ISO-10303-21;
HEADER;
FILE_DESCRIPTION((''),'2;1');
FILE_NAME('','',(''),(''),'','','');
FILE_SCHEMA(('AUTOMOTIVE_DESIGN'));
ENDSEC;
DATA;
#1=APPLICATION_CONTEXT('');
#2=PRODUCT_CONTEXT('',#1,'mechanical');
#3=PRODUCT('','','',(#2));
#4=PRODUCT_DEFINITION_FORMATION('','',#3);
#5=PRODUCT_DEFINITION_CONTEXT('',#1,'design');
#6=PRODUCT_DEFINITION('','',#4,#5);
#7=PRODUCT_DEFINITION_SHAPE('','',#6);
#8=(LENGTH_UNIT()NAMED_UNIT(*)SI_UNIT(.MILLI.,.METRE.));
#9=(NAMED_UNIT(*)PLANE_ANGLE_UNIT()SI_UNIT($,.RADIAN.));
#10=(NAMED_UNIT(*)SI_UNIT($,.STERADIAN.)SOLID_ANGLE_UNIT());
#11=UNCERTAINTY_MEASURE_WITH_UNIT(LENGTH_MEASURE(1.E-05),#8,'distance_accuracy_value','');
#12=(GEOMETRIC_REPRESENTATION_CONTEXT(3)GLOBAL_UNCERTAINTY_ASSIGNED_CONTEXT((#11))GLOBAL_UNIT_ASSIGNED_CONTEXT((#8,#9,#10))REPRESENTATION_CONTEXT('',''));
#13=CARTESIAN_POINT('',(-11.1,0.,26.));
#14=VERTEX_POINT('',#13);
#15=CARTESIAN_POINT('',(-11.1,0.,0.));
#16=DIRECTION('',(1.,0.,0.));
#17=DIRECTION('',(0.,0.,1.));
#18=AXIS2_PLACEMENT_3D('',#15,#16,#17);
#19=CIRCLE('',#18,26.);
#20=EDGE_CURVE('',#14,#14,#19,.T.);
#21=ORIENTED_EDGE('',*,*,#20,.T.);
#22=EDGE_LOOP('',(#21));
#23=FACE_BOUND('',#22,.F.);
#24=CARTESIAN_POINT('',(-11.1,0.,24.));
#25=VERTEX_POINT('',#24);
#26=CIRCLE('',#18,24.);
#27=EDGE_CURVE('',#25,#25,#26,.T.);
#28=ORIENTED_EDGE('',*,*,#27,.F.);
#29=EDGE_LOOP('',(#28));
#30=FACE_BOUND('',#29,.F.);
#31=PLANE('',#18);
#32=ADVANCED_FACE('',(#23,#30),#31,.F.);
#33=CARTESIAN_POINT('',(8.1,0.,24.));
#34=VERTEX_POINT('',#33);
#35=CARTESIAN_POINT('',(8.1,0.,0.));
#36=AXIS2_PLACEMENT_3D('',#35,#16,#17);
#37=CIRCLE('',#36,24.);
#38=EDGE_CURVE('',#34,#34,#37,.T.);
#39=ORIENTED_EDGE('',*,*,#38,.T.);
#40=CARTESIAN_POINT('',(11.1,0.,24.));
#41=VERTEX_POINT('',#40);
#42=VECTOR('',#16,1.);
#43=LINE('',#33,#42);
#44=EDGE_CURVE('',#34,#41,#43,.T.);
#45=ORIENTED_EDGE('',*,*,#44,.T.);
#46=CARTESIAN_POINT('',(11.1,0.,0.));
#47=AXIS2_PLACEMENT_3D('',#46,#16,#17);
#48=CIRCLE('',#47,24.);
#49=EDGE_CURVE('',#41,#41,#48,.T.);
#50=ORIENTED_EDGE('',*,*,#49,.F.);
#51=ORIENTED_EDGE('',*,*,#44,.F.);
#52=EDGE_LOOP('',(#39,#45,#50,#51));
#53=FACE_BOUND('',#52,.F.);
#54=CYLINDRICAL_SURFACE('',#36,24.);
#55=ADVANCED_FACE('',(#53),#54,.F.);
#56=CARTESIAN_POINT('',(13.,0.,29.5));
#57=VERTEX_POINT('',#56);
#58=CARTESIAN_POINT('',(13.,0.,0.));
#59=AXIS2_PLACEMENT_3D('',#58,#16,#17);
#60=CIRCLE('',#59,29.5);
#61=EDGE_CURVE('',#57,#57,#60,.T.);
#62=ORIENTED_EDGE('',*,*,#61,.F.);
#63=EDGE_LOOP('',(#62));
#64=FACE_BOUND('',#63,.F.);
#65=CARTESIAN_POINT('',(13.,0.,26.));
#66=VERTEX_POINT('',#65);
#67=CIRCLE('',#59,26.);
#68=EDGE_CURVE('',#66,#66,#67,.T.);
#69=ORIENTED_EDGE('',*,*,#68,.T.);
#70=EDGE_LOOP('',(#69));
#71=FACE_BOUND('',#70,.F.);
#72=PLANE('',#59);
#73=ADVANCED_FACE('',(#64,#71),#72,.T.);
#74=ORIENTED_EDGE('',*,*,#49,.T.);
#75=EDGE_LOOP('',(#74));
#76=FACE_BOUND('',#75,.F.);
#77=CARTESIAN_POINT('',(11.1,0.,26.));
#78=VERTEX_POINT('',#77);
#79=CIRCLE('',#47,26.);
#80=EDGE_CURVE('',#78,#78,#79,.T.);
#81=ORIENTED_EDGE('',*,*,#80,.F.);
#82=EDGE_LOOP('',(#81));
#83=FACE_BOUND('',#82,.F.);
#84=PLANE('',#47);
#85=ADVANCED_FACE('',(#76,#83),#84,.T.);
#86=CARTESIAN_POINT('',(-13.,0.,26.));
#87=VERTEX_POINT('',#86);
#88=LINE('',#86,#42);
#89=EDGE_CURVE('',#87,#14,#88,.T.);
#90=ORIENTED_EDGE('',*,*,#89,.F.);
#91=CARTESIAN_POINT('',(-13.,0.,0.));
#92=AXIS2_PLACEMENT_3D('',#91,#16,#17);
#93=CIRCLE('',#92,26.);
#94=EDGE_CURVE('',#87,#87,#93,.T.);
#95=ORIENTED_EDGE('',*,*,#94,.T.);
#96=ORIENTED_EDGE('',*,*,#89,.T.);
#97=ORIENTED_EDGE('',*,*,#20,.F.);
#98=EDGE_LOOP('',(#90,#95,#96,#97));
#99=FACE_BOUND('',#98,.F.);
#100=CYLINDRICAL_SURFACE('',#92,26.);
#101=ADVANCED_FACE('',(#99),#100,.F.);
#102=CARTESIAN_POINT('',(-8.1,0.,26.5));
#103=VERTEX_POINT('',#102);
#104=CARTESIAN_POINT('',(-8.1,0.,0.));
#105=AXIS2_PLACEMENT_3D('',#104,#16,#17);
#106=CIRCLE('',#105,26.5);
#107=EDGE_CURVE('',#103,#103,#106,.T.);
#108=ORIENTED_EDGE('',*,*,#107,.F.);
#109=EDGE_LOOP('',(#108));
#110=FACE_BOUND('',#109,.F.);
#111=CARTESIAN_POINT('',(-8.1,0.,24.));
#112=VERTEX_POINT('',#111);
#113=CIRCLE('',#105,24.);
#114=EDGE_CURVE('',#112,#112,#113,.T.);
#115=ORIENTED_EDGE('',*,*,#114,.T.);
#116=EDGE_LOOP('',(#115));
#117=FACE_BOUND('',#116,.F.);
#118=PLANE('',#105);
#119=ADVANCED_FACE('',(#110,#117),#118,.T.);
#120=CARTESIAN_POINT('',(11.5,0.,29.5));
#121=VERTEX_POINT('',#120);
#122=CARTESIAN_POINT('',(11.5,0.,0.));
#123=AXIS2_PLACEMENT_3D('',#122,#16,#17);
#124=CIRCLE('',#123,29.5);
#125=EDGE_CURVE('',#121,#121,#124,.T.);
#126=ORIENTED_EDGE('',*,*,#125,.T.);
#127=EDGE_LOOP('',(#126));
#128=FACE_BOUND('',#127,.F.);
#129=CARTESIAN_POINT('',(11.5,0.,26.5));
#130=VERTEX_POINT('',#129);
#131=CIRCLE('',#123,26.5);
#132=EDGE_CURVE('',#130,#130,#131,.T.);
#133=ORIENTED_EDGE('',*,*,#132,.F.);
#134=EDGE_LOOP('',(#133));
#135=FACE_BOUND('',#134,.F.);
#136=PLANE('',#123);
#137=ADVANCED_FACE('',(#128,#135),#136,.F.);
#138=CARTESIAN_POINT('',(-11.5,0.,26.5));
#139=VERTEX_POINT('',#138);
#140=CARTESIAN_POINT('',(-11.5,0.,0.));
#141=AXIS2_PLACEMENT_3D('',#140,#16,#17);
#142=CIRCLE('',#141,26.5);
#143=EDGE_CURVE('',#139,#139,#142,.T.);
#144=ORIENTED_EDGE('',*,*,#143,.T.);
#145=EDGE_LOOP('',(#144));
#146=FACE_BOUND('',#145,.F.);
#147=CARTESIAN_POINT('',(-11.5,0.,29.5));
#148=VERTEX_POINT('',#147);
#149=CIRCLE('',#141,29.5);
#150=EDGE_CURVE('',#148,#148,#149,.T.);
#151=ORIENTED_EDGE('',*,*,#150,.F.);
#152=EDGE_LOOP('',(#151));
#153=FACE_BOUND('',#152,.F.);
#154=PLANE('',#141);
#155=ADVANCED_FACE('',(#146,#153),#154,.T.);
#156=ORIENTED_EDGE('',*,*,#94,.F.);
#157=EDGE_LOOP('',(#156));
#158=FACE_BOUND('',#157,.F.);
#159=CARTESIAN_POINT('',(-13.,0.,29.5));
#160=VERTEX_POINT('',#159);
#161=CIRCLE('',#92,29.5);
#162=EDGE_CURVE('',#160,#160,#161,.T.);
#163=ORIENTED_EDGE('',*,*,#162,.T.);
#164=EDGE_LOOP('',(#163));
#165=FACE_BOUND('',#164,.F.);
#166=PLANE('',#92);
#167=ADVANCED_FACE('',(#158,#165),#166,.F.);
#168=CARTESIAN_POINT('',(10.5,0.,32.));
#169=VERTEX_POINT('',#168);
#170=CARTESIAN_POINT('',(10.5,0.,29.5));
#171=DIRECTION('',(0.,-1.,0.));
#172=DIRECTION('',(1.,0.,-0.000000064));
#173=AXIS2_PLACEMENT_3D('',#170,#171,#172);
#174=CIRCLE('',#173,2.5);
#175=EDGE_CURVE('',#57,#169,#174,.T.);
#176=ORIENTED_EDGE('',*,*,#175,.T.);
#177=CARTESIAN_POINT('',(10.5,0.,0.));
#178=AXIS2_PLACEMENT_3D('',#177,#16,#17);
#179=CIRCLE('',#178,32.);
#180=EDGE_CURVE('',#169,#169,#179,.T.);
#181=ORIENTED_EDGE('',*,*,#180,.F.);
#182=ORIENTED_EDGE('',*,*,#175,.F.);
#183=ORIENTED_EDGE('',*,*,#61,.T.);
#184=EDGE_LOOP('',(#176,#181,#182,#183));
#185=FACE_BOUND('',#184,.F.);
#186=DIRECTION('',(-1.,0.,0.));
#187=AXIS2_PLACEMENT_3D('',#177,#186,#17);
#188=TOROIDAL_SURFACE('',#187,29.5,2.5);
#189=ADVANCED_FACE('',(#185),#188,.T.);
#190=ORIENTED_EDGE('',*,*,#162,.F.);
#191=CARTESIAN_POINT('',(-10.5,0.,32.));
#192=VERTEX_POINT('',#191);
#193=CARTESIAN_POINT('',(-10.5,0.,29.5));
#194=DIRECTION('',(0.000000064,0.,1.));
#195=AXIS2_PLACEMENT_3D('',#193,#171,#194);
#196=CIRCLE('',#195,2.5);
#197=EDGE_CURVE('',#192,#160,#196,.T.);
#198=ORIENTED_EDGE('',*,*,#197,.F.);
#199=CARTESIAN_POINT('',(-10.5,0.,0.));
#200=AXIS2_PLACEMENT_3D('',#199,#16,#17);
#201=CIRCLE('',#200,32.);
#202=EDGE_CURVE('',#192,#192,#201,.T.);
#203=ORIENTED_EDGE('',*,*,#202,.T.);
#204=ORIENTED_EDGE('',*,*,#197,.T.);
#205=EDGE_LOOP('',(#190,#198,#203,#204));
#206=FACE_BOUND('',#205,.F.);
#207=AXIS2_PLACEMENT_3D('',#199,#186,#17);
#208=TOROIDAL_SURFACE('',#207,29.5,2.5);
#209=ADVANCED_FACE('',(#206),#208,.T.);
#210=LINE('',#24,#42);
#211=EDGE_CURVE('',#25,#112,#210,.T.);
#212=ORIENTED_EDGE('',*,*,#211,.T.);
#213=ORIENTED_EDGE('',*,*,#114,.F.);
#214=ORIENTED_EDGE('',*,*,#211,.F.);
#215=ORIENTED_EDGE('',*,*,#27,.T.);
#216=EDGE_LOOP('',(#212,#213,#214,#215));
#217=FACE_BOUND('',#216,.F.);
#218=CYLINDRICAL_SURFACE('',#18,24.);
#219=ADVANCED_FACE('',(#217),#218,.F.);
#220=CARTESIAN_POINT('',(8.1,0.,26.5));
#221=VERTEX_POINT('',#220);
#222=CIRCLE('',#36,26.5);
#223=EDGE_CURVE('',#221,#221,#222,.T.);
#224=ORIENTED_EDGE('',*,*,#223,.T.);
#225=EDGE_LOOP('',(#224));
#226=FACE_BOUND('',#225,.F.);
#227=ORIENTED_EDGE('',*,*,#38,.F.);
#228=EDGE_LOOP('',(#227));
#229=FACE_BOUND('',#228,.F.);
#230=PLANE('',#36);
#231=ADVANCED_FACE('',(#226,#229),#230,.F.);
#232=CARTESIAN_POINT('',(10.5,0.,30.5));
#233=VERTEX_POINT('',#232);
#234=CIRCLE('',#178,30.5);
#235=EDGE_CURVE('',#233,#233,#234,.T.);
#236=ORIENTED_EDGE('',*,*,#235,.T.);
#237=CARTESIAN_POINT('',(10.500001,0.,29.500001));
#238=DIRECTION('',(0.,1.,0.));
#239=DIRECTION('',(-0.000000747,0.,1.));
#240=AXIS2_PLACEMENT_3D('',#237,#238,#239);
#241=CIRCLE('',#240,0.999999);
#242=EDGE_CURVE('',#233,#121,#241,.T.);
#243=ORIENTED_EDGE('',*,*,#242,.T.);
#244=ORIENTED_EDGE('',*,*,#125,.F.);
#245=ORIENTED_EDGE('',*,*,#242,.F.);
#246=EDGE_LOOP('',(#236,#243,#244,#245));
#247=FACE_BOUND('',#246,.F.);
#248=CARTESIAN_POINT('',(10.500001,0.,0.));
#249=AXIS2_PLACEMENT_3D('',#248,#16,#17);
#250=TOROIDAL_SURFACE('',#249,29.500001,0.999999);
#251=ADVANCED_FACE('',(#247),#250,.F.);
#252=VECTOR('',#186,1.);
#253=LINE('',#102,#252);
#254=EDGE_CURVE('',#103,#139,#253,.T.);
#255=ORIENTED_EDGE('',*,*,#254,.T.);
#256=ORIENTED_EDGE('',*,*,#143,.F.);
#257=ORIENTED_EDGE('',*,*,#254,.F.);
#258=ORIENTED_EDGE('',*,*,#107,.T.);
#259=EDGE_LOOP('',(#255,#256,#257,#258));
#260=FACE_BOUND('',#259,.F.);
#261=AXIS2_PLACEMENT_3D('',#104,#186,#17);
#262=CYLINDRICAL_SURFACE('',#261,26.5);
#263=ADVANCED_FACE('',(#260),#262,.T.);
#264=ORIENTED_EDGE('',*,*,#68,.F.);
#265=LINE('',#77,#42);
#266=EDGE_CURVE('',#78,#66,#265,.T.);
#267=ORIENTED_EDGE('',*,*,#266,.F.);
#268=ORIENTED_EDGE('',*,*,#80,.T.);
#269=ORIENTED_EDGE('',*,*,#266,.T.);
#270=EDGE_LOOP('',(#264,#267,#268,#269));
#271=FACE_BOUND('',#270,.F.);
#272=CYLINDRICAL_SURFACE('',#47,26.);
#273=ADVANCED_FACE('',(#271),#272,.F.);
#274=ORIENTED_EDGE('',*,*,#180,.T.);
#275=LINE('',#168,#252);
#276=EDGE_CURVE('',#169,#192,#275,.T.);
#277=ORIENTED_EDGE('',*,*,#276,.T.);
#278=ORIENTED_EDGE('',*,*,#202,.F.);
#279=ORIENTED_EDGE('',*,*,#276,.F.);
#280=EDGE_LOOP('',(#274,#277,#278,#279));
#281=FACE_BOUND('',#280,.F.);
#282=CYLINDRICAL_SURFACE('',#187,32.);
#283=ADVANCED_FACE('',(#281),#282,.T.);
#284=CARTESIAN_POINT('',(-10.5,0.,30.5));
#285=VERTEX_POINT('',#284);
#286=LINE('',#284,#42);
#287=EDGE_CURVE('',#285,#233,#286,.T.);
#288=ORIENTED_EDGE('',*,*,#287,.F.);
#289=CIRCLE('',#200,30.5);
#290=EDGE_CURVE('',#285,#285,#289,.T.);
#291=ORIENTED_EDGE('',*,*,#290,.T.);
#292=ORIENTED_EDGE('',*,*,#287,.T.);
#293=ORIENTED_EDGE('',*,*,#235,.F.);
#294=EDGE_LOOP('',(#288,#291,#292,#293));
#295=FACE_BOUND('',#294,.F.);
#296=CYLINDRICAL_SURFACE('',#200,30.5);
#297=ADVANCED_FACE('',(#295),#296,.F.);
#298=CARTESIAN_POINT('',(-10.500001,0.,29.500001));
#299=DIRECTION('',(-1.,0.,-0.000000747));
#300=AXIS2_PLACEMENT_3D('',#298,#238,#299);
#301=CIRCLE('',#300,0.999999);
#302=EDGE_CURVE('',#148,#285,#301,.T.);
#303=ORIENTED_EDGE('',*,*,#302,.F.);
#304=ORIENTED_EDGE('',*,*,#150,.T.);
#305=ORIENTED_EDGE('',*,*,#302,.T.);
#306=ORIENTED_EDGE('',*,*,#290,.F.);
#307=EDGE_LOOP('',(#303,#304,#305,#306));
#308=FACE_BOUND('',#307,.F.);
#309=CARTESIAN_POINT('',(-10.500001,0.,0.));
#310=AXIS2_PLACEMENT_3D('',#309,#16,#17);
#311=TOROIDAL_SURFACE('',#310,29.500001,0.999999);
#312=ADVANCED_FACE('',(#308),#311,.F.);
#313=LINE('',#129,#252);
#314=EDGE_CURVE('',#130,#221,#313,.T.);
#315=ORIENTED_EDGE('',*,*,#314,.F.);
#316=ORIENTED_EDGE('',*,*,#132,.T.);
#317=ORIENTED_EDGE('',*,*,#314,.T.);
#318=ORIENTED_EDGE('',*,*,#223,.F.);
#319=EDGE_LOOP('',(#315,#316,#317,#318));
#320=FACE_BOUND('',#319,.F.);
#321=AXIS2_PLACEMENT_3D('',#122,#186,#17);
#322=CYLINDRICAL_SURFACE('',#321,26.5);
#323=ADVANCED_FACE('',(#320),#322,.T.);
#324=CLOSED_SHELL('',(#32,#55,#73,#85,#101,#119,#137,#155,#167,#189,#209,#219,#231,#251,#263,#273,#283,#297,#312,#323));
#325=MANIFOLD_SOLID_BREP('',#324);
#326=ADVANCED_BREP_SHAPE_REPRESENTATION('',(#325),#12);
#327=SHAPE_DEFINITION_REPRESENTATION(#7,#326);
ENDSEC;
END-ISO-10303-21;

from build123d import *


with BuildPart() as f1:
    # F0 (on Front) → F1 (revolve)
    with BuildSketch(Plane.XZ):
        with BuildLine():
            Line((10.5, 32), (-10.5, 32))
            ThreePointArc((-10.5, 32), (-12.267767, 31.267767), (-13, 29.5))
            Line((-13, 29.5), (-13, 26))
            Line((-13, 26), (-11.1, 26))
            Line((-11.1, 26), (-11.1, 24))
            Line((-11.1, 24), (-8.1, 24))
            Line((-8.1, 24), (-8.1, 26.5))
            Line((-8.1, 26.5), (-11.5, 26.5))
            Line((-11.5, 26.5), (-11.5, 29.5))
            ThreePointArc((-11.5, 29.5), (-11.207107, 30.207107), (-10.5, 30.5))
            Line((-10.5, 30.5), (10.5, 30.5))
            ThreePointArc((10.5, 30.5), (11.207107, 30.207107), (11.5, 29.5))
            Line((11.5, 29.5), (11.5, 26.5))
            Line((11.5, 26.5), (8.1, 26.5))
            Line((8.1, 26.5), (8.1, 24))
            Line((8.1, 24), (11.1, 24))
            Line((11.1, 24), (11.1, 26))
            Line((11.1, 26), (13, 26))
            Line((13, 26), (13, 29.5))
            ThreePointArc((13, 29.5), (12.267767, 31.267767), (10.5, 32))
        make_face()
    revolve(axis=Axis((20.440892, 0, 0), (1, 0, 0)))


solid = f1.part
